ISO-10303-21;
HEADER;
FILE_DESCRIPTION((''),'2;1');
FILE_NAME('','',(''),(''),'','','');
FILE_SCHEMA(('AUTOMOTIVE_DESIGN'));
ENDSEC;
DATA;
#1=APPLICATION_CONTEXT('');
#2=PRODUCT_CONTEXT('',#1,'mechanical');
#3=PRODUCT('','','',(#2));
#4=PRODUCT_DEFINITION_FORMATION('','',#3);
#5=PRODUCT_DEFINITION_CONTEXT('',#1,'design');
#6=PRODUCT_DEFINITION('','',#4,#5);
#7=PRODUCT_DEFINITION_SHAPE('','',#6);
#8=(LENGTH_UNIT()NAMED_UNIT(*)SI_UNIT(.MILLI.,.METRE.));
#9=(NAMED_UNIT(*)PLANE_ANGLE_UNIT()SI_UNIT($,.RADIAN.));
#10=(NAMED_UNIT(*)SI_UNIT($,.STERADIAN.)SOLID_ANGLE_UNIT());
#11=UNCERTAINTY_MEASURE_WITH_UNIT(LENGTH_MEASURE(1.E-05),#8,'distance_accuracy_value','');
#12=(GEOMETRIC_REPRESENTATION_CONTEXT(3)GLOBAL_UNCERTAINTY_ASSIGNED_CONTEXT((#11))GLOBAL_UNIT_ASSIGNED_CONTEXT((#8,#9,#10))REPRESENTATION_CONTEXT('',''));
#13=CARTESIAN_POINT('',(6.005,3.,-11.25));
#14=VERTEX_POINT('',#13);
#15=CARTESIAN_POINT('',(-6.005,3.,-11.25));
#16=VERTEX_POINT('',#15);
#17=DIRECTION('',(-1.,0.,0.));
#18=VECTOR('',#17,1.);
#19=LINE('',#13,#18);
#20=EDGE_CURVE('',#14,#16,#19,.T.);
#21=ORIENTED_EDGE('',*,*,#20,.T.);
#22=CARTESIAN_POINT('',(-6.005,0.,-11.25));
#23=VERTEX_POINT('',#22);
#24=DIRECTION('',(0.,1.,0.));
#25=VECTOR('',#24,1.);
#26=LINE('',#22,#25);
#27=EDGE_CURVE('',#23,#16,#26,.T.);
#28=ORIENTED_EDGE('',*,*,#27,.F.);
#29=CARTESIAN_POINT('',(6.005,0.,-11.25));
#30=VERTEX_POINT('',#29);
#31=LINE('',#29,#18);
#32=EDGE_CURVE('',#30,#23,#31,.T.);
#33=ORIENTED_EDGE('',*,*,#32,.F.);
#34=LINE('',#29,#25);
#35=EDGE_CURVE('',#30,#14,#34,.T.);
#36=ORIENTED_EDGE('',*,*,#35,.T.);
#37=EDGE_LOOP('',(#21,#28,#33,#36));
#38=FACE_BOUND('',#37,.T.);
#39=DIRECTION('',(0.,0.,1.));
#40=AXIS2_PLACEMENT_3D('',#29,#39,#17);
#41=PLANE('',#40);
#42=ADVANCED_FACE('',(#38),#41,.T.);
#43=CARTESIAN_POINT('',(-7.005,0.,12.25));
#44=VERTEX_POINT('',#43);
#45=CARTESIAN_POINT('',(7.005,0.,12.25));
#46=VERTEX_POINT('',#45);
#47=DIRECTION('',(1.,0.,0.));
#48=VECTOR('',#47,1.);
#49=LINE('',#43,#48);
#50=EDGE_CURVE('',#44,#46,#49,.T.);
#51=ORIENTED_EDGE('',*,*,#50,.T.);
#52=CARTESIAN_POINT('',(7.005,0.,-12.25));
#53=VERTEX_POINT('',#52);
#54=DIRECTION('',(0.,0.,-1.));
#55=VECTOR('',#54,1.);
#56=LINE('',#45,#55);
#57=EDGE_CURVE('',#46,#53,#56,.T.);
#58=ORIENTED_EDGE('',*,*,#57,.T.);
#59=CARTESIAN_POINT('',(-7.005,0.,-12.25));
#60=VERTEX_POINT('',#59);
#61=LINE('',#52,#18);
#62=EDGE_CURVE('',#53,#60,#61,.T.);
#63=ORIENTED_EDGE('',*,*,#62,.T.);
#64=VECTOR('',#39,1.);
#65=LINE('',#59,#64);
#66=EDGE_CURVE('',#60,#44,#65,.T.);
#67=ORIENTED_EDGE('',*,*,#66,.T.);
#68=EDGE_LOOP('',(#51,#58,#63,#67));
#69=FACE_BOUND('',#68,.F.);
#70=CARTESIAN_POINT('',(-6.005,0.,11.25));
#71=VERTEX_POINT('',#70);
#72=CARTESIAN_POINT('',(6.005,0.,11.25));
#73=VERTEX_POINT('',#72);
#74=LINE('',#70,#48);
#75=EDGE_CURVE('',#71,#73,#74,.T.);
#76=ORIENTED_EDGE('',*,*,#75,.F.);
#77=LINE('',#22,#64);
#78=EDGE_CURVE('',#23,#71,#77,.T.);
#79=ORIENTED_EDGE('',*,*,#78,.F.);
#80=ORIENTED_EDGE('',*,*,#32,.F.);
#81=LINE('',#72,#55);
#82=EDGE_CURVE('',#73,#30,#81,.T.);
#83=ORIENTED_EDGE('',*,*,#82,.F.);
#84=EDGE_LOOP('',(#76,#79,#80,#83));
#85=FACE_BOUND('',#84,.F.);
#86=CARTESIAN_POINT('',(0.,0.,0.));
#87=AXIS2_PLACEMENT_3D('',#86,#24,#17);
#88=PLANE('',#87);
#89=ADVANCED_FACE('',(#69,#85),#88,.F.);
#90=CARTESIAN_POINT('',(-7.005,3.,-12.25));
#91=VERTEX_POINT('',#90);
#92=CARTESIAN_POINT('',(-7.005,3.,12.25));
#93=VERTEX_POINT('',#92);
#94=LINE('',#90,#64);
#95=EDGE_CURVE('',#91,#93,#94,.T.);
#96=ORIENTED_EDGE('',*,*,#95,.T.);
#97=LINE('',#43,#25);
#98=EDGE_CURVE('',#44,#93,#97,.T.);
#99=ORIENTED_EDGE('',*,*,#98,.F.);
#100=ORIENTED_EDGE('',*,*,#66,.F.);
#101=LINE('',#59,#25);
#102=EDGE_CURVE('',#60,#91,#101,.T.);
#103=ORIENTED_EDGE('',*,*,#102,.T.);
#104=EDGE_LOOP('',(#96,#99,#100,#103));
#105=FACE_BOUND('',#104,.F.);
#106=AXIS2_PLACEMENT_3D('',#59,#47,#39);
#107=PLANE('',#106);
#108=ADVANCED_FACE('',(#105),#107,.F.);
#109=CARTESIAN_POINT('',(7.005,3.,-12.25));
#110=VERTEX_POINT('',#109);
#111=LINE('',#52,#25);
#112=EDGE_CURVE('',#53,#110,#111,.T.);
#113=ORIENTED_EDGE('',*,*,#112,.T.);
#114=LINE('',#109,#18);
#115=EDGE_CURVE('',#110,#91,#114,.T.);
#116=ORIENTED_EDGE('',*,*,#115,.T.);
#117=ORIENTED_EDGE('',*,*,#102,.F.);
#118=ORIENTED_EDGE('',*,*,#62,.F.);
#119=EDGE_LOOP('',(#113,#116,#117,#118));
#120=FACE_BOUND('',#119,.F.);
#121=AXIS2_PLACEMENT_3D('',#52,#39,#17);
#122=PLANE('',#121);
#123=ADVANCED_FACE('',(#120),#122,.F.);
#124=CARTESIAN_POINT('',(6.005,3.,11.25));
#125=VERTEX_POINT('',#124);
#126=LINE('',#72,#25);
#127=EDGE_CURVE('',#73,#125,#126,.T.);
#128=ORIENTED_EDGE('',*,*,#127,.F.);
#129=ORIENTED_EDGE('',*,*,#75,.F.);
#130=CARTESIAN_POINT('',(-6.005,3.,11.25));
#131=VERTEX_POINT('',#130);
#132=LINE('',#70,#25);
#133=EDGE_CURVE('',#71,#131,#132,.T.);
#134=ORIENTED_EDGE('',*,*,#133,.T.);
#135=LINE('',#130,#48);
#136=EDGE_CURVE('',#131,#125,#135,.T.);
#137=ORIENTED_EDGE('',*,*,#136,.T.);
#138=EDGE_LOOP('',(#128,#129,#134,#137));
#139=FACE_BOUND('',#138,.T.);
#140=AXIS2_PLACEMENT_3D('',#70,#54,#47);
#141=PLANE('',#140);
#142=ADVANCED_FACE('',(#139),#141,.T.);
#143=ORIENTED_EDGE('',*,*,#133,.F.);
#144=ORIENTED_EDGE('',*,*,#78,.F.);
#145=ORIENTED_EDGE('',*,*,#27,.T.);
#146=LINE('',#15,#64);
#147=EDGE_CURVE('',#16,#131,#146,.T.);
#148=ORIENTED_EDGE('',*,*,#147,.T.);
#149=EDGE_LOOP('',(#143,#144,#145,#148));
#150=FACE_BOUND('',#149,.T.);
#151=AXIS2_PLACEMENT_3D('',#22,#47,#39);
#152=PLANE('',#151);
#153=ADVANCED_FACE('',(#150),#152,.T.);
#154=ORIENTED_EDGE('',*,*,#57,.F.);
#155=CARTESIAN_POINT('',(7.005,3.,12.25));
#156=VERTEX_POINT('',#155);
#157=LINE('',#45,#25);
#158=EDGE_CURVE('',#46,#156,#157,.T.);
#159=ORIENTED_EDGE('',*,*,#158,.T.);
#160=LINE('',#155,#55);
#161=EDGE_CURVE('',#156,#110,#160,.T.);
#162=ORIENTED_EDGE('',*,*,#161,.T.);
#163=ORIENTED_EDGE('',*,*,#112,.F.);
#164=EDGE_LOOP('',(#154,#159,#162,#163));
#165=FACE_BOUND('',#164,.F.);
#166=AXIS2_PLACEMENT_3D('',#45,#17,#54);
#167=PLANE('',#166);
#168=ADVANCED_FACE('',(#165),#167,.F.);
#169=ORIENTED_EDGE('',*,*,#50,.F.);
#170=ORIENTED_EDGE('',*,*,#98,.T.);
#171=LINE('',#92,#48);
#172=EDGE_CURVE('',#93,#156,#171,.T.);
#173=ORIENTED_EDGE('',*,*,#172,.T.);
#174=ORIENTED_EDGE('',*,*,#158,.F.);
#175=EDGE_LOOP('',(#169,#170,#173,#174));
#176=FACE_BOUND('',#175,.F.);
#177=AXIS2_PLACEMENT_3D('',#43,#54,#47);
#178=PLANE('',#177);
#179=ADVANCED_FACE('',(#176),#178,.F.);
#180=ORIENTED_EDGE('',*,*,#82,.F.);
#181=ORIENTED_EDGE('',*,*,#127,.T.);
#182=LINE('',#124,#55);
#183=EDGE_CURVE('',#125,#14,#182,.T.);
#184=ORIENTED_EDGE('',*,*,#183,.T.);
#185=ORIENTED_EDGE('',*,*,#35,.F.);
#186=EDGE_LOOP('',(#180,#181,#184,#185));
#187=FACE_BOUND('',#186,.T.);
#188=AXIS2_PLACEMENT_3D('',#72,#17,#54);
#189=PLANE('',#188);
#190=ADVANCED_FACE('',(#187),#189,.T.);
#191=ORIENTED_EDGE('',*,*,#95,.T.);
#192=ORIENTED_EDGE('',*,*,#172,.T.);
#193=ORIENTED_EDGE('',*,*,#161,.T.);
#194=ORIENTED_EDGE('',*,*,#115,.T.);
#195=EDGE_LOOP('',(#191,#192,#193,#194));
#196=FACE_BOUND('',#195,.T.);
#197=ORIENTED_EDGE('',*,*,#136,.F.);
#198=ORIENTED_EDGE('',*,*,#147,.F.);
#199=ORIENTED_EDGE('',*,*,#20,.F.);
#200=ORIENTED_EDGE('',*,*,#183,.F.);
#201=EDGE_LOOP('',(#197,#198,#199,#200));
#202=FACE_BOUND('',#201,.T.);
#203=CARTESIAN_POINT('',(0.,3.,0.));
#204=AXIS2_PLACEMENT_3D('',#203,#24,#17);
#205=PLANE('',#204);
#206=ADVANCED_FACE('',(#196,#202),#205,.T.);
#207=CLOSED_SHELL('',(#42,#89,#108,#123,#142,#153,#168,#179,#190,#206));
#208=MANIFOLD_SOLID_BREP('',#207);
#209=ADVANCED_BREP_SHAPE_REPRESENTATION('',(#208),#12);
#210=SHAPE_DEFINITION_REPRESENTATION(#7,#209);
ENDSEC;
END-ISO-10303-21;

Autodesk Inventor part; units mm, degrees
ref_plane "YZ Plane" through (0, 0, 0) normal (1, 0, 0) x (0, 1, 0)
ref_plane "XZ Plane" through (0, 0, 0) normal (0, 1, 0) x (-1, 0, 0)
ref_plane "XY Plane" through (0, 0, 0) normal (0, 0, 1) x (1, 0, 0)
sketch "Sketch2" plane through (0, 0, 0) normal (0, 1, 0) x (-1, 0, 0)
  line L0 (-6.005, -11.25) -> (6.005, -11.25)
  line L1 (6.005, -11.25) -> (6.005, 11.25)
  line L2 (6.005, 11.25) -> (-6.005, 11.25)
  line L3 (-6.005, 11.25) -> (-6.005, -11.25)
  line L4 (-6.005, -11.25) -> (6.005, 11.25) construction
  line L5 (6.005, -11.25) -> (-6.005, 11.25) construction
  line L6 (-7.005, -12.25) -> (7.005, -12.25)
  line L7 (7.005, -12.25) -> (7.005, 12.25)
  line L8 (7.005, 12.25) -> (-7.005, 12.25)
  line L9 (-7.005, 12.25) -> (-7.005, -12.25)
  line L10 (-7.005, -12.25) -> (7.005, 12.25) construction
  line L11 (7.005, -12.25) -> (-7.005, 12.25) construction
  point P0 (0, 0)
  dimension "d0" = 22.5
  dimension "d1" = 12.01
  dimension "d2" = 24.5
  dimension "d3" = 14.01
extrude "Extrusion1" add sketch "Sketch2" along normal blind 3
properties part number "servo_holder"
